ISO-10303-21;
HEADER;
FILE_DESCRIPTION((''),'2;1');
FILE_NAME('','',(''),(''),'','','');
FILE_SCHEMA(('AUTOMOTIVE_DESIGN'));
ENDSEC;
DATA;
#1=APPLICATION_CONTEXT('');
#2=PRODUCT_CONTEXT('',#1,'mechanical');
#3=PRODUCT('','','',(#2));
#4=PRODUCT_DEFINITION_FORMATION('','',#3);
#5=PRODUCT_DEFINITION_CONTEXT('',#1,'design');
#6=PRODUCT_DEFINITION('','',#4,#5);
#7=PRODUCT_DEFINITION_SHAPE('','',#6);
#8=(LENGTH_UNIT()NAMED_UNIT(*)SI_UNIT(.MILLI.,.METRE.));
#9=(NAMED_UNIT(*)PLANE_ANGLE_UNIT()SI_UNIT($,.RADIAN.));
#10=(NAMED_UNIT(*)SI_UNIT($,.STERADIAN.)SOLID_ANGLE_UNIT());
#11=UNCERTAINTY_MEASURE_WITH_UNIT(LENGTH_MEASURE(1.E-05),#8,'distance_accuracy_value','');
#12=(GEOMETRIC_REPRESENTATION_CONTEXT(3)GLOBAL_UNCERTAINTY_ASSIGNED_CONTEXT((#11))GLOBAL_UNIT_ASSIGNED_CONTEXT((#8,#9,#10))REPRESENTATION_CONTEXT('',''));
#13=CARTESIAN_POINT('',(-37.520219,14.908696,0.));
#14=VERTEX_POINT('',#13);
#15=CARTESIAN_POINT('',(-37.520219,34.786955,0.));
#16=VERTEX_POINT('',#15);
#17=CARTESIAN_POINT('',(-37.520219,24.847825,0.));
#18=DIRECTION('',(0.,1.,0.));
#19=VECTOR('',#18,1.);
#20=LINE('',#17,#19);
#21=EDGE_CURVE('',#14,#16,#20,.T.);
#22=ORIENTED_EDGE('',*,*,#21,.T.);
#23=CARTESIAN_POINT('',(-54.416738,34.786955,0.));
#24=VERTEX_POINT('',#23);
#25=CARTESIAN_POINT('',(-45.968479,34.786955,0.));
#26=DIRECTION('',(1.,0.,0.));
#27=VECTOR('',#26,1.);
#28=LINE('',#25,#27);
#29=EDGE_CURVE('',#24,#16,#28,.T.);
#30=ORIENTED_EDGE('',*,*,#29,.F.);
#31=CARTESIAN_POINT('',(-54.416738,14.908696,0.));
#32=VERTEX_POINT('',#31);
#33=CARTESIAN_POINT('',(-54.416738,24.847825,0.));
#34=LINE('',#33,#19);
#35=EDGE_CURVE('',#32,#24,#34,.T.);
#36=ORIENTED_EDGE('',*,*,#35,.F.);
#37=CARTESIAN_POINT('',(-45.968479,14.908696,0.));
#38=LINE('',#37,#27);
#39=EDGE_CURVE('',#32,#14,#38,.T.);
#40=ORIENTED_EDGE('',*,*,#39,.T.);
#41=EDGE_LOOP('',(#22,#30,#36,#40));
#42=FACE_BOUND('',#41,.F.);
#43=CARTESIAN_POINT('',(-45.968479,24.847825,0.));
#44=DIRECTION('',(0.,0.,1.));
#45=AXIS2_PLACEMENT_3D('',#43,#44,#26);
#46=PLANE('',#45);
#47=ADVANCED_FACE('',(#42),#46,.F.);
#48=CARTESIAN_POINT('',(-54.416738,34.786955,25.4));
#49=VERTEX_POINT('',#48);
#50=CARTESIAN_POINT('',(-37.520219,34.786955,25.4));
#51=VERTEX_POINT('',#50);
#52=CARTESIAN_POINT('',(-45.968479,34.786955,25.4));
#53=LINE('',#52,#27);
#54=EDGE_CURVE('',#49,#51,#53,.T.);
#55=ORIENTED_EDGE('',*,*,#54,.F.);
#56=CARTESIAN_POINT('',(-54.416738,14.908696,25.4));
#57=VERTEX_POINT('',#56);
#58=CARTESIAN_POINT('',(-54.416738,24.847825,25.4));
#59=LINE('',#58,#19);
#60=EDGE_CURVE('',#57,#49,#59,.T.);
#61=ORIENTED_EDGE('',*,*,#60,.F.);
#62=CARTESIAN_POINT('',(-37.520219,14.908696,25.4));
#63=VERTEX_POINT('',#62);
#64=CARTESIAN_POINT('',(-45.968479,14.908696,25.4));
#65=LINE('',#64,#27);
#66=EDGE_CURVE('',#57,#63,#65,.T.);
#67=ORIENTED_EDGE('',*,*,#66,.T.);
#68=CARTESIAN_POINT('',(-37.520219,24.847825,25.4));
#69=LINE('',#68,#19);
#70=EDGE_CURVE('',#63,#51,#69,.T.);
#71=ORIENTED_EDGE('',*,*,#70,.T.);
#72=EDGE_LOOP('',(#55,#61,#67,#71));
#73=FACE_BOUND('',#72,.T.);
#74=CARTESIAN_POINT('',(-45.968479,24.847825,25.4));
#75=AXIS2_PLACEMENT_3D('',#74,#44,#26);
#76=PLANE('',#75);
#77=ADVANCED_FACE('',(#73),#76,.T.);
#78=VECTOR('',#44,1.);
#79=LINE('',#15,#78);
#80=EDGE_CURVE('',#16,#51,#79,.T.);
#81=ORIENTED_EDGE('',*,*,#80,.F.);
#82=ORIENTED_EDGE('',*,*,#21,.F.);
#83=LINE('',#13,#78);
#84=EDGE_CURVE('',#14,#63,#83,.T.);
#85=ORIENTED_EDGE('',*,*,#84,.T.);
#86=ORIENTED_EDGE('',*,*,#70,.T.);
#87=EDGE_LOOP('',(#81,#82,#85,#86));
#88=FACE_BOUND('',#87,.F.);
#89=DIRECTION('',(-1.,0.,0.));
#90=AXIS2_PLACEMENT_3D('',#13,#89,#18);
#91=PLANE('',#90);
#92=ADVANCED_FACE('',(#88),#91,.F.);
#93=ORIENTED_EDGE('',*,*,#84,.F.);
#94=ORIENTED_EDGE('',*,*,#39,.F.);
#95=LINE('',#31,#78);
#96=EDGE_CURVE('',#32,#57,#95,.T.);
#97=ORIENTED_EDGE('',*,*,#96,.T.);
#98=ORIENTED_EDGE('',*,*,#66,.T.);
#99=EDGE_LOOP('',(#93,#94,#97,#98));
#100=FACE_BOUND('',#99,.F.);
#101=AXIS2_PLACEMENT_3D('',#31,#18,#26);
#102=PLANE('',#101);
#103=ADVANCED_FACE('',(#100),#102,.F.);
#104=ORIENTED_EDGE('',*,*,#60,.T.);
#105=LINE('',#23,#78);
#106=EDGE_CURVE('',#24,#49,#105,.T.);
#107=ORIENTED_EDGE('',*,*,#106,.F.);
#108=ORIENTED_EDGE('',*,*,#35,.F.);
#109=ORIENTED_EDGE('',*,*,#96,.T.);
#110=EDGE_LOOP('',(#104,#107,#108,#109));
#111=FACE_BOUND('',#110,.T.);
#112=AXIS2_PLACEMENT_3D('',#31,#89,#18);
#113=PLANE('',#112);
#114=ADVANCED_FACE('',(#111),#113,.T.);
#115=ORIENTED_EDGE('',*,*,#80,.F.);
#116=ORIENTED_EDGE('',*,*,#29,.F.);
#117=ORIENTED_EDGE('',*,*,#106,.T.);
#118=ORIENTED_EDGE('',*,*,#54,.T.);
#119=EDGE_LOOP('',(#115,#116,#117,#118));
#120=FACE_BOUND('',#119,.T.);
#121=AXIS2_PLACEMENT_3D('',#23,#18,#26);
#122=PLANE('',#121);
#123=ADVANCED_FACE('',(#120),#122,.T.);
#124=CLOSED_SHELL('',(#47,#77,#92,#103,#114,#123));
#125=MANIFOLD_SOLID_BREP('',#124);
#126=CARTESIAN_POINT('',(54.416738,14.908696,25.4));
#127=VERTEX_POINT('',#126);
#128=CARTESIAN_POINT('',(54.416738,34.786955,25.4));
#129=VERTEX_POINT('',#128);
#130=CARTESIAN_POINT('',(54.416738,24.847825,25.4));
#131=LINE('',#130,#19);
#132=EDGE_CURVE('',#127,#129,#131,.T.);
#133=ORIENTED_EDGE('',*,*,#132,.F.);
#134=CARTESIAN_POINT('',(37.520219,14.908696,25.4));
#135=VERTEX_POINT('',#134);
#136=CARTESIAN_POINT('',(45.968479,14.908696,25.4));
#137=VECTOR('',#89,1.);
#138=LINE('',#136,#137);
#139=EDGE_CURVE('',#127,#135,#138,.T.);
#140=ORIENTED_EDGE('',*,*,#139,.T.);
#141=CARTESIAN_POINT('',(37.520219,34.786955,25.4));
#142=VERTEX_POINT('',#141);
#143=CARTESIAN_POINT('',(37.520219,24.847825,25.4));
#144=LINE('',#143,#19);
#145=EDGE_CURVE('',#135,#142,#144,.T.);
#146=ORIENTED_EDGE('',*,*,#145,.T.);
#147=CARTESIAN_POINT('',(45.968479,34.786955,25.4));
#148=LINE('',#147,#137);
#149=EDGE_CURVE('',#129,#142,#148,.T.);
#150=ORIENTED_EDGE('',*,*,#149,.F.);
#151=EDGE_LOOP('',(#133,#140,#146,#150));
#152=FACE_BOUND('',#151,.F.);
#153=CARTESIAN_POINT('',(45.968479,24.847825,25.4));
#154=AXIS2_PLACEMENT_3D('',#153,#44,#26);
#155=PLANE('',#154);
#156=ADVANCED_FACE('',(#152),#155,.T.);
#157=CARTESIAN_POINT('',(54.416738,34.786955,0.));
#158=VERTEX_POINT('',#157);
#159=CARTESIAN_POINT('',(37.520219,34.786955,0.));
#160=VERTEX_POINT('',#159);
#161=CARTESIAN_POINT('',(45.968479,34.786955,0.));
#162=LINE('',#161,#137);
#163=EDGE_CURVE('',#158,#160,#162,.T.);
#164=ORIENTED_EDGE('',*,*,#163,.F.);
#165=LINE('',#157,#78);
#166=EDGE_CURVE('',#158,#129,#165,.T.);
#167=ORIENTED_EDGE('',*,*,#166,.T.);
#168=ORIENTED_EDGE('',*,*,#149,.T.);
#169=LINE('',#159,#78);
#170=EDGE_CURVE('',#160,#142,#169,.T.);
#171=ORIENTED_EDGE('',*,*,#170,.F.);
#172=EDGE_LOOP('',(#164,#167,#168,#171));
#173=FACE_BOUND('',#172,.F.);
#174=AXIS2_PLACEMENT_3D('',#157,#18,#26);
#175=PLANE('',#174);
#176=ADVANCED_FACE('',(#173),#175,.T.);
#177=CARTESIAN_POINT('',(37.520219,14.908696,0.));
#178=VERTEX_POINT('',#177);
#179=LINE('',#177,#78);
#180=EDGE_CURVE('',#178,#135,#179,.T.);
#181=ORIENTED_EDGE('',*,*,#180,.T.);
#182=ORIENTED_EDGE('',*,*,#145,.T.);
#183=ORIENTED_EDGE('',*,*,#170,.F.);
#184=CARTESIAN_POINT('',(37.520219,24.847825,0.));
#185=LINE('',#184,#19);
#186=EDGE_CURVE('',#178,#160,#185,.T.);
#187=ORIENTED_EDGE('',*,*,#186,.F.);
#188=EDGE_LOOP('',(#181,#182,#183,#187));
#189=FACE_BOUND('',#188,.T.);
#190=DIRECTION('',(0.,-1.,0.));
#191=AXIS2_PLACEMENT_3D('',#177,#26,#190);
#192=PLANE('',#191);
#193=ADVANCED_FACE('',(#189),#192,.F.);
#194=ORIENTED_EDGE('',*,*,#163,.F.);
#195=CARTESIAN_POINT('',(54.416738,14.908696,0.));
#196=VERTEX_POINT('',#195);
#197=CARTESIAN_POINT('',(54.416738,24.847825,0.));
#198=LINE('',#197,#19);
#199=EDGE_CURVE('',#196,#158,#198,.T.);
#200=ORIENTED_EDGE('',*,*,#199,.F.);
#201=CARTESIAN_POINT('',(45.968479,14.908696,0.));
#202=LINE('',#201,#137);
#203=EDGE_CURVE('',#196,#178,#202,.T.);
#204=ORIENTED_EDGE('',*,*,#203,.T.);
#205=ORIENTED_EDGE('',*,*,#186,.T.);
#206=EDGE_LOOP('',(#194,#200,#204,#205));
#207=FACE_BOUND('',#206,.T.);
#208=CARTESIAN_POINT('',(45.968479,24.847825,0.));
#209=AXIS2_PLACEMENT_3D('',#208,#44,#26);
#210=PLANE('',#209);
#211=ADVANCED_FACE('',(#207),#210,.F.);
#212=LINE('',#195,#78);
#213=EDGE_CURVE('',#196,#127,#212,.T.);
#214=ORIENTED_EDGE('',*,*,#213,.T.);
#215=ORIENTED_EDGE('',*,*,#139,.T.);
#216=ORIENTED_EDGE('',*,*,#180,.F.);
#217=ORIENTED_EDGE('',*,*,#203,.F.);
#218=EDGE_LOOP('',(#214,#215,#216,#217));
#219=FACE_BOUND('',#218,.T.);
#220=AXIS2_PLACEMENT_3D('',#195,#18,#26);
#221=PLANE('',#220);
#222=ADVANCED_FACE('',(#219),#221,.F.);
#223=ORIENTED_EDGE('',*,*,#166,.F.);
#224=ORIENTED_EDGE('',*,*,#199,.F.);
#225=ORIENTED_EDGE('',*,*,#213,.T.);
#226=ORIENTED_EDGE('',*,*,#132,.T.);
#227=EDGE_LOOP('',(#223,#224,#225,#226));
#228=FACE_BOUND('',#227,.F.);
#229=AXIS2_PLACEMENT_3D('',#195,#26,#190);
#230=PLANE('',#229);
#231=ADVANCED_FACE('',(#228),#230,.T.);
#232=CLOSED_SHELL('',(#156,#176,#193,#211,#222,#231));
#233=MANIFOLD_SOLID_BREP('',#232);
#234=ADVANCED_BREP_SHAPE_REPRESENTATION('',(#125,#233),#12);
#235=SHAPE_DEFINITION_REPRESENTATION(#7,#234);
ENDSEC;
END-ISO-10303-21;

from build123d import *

# Parameters (mm, degrees)
F0_W     = 16.89651981
F0_H     = 19.8782589287
F1_DEPTH = 25.4


with BuildPart() as f1:
    # F0 (on Top) → F1 (new body)
    with BuildSketch(Plane.XY):
        with Locations((-45.9684785455, 24.8478250578)):
            Rectangle(F0_W, F0_H)
    f1_solid = extrude(amount=F1_DEPTH)

    # F2: F1 across plane
    add(f1_solid.mirror(Plane.YZ))


solid = f1.part
